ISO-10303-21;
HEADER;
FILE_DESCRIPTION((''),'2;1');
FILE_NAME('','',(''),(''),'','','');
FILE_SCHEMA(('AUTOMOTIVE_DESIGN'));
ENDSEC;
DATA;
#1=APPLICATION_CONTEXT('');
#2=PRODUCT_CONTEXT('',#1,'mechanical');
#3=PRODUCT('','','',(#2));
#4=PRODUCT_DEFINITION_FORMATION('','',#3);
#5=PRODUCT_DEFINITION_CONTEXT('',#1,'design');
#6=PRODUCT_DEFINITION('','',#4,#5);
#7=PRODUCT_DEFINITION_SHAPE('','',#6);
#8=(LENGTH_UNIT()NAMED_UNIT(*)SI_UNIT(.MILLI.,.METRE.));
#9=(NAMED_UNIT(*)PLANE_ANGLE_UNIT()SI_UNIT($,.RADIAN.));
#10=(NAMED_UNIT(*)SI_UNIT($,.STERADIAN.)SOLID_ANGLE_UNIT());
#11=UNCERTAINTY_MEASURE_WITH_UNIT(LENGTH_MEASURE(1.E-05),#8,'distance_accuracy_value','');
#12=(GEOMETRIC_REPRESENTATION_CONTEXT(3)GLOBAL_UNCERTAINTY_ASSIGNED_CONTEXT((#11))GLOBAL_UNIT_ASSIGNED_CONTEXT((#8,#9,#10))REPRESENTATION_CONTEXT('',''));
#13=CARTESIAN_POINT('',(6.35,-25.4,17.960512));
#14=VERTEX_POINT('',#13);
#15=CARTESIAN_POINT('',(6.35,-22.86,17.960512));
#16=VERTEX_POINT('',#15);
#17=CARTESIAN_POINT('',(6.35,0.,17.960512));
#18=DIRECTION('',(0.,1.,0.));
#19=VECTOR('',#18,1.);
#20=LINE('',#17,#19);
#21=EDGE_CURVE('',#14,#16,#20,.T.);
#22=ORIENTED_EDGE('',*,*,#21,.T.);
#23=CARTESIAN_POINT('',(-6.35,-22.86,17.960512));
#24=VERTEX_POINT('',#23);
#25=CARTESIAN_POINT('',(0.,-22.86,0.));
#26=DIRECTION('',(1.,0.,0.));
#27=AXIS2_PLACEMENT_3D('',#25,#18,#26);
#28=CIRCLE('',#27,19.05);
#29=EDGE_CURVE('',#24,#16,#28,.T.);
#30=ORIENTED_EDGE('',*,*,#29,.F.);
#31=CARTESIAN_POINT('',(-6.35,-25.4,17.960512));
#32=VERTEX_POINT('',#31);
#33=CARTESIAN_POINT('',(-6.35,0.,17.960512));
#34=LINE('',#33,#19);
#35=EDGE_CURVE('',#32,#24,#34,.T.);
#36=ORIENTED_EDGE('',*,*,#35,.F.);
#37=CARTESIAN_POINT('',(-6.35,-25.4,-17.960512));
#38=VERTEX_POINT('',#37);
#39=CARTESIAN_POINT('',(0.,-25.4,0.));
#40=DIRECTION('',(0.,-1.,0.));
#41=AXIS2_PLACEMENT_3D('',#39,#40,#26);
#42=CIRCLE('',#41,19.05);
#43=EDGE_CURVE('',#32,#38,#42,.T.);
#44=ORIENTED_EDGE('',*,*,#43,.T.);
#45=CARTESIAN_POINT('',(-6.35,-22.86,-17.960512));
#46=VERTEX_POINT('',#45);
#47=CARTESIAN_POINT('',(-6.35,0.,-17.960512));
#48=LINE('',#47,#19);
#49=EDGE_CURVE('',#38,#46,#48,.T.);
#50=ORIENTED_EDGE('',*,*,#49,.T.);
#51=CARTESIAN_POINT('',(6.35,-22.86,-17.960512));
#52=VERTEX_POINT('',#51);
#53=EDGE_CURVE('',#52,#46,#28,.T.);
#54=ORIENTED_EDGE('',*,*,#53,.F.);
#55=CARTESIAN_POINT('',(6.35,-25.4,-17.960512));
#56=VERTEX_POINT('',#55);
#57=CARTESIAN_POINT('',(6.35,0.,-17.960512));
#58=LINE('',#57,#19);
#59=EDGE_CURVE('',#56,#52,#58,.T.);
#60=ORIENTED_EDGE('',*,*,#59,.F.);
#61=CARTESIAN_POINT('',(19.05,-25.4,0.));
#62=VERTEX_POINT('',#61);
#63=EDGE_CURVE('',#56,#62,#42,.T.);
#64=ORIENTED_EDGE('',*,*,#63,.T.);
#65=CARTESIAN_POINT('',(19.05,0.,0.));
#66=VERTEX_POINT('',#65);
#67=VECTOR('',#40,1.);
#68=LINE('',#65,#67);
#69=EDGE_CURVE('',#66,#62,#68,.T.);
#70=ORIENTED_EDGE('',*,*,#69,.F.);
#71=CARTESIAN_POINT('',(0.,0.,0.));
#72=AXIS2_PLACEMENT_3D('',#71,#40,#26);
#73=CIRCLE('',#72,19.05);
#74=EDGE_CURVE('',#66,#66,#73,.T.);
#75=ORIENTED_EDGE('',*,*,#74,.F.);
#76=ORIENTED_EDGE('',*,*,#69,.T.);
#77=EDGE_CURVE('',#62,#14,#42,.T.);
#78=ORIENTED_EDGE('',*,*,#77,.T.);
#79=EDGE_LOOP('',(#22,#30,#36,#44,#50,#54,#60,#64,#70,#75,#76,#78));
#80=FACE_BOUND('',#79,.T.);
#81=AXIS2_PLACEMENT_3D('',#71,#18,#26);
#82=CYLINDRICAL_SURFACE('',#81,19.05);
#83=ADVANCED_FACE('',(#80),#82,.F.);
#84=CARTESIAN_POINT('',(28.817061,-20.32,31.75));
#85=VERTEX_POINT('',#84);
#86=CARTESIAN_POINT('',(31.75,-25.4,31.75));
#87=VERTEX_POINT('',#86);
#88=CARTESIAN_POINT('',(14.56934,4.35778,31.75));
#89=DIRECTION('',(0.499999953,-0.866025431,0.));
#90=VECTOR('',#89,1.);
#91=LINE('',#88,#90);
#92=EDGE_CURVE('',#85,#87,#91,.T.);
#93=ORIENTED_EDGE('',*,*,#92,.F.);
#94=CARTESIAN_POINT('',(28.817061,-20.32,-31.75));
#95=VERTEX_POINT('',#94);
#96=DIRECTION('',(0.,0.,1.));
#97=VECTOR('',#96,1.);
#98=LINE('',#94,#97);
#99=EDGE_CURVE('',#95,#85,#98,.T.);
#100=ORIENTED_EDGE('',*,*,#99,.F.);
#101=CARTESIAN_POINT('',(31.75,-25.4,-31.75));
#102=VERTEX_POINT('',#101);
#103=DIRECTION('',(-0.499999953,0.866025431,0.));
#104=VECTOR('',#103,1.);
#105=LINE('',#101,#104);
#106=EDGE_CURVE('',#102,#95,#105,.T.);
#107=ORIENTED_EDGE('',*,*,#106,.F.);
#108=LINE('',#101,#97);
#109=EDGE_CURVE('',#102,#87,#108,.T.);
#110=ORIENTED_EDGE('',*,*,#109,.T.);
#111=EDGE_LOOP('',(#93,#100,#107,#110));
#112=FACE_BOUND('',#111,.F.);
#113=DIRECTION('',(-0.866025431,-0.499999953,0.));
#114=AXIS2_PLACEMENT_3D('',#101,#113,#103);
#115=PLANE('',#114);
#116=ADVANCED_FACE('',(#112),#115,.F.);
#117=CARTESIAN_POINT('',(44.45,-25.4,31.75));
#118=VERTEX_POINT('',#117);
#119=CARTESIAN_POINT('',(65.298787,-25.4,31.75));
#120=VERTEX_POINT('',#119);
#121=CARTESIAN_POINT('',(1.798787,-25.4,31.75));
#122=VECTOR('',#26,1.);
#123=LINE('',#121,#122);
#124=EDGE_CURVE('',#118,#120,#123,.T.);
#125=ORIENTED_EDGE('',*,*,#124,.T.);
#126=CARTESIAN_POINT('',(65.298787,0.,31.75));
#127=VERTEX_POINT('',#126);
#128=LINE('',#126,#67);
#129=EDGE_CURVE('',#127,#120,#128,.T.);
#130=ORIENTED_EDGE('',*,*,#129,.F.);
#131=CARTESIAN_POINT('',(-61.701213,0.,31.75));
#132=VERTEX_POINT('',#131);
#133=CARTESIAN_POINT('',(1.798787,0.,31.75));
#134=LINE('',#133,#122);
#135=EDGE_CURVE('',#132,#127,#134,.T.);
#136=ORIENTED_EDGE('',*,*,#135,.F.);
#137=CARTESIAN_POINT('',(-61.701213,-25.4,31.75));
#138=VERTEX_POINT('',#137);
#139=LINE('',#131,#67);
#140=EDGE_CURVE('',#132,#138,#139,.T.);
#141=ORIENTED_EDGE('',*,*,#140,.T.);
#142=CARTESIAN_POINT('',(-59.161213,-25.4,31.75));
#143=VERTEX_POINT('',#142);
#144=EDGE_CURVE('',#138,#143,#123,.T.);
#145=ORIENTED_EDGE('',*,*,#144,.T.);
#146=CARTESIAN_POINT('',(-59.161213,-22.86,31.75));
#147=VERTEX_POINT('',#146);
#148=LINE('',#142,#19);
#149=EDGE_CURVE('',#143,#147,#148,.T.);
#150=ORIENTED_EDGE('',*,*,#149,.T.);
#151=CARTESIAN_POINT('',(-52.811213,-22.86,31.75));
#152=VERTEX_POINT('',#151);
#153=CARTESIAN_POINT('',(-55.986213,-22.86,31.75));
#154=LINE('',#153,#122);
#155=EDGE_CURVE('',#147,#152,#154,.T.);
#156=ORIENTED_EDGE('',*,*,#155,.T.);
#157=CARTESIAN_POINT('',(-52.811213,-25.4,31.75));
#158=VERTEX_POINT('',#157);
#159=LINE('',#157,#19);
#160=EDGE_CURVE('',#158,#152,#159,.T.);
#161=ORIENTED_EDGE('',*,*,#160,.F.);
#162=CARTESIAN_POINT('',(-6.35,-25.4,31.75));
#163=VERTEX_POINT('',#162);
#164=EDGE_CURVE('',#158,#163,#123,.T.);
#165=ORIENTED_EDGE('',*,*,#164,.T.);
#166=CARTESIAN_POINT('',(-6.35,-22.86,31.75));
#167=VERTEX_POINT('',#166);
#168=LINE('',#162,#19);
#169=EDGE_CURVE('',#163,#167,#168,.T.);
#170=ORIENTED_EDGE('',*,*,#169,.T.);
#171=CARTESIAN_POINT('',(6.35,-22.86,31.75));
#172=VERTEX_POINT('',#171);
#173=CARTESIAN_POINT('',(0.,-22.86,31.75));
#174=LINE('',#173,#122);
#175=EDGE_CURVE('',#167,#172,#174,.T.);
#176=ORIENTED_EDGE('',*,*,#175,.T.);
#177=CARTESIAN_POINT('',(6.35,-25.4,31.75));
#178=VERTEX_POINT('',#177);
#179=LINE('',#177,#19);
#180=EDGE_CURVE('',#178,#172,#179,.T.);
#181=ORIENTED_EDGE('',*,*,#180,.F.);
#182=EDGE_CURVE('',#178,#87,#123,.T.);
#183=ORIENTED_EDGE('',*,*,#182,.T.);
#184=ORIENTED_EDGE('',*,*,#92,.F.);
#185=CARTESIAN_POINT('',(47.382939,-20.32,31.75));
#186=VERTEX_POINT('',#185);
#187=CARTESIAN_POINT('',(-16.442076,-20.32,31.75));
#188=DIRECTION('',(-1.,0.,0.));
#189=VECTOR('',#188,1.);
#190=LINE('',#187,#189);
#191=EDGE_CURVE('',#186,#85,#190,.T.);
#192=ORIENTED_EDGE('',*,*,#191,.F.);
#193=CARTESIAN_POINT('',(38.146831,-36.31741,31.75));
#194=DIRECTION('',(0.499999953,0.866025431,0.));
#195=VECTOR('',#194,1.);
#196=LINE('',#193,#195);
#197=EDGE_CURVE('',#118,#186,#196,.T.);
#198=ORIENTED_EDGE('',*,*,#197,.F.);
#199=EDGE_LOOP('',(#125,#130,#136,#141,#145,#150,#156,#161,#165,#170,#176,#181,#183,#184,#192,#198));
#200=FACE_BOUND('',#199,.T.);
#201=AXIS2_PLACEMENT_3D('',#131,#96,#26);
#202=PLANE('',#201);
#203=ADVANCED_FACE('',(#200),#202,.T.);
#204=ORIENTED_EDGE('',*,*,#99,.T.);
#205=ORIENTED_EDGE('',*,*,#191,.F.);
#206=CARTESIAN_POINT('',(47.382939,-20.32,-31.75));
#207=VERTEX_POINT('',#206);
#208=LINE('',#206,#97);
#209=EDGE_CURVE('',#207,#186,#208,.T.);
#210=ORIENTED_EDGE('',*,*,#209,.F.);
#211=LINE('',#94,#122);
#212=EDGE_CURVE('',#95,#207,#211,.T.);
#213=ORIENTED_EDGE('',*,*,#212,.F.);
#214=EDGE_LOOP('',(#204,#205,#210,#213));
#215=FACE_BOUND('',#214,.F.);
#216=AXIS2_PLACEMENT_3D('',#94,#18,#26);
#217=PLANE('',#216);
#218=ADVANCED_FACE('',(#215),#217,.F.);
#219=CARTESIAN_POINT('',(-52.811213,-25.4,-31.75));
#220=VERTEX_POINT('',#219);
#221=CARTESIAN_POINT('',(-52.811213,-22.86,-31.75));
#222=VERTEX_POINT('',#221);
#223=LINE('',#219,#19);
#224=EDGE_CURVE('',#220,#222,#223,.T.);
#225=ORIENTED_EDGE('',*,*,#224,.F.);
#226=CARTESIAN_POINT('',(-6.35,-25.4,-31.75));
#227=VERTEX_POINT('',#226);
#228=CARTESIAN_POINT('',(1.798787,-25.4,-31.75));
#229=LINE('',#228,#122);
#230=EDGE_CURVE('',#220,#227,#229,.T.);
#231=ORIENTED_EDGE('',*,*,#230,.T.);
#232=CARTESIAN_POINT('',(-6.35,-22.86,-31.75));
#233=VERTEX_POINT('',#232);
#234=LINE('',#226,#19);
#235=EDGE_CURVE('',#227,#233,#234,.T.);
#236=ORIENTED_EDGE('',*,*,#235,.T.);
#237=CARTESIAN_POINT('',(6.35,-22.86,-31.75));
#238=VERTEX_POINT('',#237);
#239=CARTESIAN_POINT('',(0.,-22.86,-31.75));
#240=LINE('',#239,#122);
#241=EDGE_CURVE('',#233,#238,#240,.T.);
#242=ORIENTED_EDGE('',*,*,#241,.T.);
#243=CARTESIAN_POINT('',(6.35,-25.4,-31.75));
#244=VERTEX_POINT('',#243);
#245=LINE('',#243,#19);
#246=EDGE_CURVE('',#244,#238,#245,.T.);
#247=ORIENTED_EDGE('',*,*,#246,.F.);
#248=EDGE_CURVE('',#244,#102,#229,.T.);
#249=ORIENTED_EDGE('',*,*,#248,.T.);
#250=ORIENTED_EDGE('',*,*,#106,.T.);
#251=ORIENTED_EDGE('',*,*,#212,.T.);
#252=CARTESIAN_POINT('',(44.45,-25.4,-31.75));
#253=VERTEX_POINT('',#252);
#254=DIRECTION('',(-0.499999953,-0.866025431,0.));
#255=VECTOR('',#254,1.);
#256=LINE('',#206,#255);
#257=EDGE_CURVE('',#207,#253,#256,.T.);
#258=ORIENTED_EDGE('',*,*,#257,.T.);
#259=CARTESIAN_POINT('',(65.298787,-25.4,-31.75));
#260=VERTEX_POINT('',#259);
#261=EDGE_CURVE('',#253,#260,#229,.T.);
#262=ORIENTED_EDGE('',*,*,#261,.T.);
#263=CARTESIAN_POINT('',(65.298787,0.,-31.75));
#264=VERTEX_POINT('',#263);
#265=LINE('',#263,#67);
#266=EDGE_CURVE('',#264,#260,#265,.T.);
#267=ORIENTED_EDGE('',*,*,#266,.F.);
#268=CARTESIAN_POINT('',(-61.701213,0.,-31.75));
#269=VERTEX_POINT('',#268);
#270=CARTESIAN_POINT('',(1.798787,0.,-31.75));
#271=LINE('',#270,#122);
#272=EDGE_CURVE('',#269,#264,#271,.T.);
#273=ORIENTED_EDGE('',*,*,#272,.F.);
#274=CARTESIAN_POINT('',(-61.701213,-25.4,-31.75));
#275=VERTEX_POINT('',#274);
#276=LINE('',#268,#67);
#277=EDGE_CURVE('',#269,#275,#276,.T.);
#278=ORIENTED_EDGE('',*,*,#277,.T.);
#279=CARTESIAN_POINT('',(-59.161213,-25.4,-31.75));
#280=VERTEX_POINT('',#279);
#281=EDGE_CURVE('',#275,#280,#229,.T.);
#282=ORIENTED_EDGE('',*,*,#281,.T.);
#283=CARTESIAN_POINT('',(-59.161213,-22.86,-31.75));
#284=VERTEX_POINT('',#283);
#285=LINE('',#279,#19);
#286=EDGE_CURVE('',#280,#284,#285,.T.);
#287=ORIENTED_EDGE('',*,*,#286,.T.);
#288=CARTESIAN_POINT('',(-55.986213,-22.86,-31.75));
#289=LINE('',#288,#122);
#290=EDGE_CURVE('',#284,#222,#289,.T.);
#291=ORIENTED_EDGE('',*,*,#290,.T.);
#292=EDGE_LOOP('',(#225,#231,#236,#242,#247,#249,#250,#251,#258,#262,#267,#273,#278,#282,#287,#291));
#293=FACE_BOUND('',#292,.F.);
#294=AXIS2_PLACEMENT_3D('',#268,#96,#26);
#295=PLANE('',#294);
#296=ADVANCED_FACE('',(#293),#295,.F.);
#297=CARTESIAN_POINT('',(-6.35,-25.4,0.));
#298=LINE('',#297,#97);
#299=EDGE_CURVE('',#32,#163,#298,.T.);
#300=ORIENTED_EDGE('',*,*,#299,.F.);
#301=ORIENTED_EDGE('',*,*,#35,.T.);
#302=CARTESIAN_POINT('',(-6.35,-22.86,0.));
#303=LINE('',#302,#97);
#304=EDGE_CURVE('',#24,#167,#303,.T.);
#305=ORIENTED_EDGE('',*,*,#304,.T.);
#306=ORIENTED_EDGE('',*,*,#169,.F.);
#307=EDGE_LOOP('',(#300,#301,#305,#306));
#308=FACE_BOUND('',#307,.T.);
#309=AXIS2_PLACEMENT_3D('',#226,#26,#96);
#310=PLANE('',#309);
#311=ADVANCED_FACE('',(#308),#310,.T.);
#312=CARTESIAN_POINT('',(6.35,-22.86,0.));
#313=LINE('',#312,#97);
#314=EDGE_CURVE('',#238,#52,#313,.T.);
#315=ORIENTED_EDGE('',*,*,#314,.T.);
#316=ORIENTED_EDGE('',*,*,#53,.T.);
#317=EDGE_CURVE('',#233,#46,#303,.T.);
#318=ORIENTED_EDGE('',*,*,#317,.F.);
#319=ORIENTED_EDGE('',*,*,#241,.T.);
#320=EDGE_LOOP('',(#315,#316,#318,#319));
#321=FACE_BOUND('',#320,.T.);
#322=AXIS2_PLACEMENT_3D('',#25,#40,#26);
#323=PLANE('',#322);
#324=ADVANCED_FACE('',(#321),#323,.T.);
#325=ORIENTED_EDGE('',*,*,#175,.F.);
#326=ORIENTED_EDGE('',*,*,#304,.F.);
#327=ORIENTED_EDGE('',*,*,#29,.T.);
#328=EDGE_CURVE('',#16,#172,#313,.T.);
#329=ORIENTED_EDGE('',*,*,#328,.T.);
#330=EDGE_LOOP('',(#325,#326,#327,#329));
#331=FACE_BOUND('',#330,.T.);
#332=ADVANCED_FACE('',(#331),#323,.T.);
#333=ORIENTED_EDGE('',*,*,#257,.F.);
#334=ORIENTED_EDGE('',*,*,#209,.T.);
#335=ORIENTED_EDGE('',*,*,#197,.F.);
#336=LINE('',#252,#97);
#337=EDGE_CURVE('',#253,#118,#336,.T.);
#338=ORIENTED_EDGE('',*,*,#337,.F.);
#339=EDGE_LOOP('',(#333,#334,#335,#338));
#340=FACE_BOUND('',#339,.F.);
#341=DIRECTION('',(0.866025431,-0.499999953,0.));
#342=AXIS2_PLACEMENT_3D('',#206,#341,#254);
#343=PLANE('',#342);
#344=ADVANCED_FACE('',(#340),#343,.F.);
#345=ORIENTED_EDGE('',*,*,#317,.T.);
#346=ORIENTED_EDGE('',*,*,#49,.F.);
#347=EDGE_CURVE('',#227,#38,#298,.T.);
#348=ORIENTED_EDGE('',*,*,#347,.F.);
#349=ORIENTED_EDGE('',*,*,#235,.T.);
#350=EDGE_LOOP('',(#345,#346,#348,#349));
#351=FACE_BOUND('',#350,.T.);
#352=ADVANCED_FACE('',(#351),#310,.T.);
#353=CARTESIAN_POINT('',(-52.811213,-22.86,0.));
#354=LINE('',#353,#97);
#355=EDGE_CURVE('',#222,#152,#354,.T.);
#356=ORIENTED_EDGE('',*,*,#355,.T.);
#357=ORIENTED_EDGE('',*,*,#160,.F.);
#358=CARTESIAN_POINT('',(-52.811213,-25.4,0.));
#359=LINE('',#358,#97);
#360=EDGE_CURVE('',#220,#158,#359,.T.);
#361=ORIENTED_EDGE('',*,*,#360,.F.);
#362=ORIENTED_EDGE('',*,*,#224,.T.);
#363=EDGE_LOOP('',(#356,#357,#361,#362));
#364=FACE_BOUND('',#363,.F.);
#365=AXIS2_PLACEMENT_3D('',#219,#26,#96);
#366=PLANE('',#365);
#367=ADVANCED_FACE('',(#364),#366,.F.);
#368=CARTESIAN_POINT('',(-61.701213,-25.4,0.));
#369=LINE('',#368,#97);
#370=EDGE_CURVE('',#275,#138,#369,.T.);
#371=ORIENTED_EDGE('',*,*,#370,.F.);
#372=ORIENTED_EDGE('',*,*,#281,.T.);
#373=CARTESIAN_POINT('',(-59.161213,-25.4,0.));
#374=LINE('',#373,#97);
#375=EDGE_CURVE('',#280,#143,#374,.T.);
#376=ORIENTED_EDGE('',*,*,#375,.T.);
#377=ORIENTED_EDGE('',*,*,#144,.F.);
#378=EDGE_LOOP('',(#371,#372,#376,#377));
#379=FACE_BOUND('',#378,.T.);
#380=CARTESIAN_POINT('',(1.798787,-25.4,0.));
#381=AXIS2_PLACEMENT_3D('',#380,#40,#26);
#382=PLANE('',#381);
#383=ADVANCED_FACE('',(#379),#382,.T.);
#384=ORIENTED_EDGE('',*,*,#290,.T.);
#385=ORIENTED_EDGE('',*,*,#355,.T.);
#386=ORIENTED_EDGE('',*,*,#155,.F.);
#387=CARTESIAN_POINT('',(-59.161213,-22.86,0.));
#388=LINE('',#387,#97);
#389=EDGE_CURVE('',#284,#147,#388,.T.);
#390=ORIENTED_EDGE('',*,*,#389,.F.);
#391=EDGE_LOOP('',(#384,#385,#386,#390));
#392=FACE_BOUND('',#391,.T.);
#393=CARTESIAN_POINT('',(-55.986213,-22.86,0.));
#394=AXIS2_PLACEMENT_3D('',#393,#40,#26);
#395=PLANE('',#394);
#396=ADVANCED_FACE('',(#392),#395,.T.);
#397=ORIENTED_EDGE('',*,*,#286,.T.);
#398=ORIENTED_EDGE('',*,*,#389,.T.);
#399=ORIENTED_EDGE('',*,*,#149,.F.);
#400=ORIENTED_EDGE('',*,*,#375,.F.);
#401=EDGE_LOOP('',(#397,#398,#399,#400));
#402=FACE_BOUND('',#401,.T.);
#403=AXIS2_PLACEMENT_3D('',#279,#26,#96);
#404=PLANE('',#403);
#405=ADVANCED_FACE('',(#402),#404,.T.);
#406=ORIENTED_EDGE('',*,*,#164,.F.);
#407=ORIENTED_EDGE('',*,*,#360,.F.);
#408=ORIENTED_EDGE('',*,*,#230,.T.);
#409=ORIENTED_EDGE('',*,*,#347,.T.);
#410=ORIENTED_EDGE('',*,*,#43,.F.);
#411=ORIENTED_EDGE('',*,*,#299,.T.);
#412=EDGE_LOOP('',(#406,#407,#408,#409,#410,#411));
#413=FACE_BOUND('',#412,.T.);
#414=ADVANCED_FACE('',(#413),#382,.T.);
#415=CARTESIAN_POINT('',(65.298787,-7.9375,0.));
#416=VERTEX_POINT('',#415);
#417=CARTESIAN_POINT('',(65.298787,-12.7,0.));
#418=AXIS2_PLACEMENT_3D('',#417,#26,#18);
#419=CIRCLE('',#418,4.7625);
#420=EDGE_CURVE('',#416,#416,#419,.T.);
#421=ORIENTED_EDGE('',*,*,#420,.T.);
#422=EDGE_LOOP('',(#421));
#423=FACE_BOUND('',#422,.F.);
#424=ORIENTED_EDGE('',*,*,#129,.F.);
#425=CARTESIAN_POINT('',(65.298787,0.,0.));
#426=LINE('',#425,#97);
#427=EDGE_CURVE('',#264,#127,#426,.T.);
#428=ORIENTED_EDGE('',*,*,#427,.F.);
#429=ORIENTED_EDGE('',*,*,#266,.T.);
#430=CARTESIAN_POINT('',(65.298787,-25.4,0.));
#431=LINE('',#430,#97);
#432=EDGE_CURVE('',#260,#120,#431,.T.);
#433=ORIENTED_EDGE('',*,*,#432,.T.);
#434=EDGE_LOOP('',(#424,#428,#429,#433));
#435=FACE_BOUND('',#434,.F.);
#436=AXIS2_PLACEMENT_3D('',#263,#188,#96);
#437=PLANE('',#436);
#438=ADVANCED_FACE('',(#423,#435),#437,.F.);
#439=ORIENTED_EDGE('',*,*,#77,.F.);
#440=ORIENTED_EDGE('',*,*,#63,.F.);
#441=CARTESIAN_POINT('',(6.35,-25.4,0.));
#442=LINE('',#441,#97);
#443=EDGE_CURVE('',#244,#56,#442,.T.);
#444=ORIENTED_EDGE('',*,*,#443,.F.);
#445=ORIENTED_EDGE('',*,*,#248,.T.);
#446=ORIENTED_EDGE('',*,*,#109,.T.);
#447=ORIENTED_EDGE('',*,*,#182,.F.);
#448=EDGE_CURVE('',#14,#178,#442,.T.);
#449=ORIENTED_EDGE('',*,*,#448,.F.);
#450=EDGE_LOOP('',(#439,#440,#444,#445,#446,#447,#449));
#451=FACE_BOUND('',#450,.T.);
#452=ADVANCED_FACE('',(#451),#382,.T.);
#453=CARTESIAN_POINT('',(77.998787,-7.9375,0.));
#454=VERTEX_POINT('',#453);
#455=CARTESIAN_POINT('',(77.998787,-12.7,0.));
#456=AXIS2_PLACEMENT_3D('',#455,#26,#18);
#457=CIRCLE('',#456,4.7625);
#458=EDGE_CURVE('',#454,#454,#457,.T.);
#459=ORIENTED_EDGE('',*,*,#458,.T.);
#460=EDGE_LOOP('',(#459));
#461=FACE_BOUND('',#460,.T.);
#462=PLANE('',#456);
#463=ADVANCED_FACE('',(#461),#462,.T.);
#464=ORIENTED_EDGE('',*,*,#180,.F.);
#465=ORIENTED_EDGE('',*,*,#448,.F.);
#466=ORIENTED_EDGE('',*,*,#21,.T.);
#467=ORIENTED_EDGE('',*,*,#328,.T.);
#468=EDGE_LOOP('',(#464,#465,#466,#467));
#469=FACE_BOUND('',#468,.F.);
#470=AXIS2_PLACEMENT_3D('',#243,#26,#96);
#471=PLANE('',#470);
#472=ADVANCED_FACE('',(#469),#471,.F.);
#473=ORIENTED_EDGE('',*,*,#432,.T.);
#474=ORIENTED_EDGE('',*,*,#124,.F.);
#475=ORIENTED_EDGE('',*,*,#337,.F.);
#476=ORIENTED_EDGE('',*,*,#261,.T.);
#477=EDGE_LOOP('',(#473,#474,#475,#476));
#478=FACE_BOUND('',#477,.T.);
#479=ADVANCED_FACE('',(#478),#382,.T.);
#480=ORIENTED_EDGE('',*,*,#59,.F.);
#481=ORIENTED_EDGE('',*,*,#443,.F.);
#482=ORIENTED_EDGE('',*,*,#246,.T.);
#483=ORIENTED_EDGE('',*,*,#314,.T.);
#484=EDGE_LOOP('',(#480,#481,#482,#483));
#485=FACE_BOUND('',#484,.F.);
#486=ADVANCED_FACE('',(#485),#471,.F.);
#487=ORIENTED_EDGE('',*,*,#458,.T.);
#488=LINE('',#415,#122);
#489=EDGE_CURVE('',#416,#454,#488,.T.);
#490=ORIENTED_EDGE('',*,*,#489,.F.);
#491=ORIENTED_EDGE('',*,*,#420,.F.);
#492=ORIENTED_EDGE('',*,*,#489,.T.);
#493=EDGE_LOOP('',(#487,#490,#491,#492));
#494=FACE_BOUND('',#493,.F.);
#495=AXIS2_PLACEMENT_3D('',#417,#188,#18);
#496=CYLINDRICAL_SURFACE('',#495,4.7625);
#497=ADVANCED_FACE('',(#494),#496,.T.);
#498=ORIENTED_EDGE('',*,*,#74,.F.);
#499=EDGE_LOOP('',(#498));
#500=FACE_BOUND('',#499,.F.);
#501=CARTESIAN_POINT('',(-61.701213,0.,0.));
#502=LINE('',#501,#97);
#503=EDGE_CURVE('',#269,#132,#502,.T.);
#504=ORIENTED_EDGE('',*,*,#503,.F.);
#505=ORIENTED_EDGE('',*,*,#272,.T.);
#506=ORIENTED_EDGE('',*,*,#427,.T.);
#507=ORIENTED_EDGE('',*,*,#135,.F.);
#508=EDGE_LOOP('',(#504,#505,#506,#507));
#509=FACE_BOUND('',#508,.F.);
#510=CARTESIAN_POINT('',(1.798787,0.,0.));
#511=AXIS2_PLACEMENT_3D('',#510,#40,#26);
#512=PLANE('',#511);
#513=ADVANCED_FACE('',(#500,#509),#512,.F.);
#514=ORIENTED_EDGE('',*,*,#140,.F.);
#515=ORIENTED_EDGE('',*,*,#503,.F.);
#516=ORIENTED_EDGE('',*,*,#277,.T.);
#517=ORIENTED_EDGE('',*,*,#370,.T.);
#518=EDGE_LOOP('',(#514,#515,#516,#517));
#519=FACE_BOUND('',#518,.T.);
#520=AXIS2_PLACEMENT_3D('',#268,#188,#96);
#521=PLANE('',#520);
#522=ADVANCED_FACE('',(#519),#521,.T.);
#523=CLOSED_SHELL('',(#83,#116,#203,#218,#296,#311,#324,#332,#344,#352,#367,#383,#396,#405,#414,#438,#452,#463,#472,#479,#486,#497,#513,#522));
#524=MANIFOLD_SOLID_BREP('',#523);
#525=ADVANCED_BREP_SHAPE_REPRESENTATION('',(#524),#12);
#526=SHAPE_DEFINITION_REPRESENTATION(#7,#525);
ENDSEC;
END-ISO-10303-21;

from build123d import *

# Parameters (mm, degrees)
F0_W     = 127
F0_H     = 63.5
F0_R     = 19.05
F1_DEPTH = 25.4
F2_W     = 6.35
F2_H     = 63.5
F2_W_2   = 12.7
F3_DEPTH = 2.54
F5_DEPTH = 66.04
F6_R     = 4.7625
F7_DEPTH = 12.7


with BuildPart() as f1:
    # F0 (on Front) → F1 (new body)
    with BuildSketch(Plane.XZ):
        with Locations((1.798787, 0)):
            Rectangle(F0_W, F0_H)
        Circle(F0_R, mode=Mode.SUBTRACT)
    extrude(amount=F1_DEPTH)

    # F2 (on face) → F3 (cut)
    with BuildSketch(Plane.XZ.offset(25.4)):
        with Locations((-55.986213, 0)):
            Rectangle(F2_W, F2_H)
        Rectangle(F2_W_2, F2_H)
    extrude(amount=-F3_DEPTH, mode=Mode.SUBTRACT)

    # F4 (on face) → F5 (cut)
    with BuildSketch(Plane(origin=(0, 0, -31.75), x_dir=(1, 0, 0), z_dir=(0, 0, -1))):
        Polygon((44.45, 25.4), (31.75, 25.4), (28.817061, 20.32), (47.382939, 20.32), align=None)
    extrude(amount=-F5_DEPTH, mode=Mode.SUBTRACT)

    # F6 (on face) → F7 (join)
    with BuildSketch(Plane.YZ.offset(65.298787)):
        with Locations((-12.7, 0)):
            Circle(F6_R)
    extrude(amount=F7_DEPTH)


solid = f1.part
